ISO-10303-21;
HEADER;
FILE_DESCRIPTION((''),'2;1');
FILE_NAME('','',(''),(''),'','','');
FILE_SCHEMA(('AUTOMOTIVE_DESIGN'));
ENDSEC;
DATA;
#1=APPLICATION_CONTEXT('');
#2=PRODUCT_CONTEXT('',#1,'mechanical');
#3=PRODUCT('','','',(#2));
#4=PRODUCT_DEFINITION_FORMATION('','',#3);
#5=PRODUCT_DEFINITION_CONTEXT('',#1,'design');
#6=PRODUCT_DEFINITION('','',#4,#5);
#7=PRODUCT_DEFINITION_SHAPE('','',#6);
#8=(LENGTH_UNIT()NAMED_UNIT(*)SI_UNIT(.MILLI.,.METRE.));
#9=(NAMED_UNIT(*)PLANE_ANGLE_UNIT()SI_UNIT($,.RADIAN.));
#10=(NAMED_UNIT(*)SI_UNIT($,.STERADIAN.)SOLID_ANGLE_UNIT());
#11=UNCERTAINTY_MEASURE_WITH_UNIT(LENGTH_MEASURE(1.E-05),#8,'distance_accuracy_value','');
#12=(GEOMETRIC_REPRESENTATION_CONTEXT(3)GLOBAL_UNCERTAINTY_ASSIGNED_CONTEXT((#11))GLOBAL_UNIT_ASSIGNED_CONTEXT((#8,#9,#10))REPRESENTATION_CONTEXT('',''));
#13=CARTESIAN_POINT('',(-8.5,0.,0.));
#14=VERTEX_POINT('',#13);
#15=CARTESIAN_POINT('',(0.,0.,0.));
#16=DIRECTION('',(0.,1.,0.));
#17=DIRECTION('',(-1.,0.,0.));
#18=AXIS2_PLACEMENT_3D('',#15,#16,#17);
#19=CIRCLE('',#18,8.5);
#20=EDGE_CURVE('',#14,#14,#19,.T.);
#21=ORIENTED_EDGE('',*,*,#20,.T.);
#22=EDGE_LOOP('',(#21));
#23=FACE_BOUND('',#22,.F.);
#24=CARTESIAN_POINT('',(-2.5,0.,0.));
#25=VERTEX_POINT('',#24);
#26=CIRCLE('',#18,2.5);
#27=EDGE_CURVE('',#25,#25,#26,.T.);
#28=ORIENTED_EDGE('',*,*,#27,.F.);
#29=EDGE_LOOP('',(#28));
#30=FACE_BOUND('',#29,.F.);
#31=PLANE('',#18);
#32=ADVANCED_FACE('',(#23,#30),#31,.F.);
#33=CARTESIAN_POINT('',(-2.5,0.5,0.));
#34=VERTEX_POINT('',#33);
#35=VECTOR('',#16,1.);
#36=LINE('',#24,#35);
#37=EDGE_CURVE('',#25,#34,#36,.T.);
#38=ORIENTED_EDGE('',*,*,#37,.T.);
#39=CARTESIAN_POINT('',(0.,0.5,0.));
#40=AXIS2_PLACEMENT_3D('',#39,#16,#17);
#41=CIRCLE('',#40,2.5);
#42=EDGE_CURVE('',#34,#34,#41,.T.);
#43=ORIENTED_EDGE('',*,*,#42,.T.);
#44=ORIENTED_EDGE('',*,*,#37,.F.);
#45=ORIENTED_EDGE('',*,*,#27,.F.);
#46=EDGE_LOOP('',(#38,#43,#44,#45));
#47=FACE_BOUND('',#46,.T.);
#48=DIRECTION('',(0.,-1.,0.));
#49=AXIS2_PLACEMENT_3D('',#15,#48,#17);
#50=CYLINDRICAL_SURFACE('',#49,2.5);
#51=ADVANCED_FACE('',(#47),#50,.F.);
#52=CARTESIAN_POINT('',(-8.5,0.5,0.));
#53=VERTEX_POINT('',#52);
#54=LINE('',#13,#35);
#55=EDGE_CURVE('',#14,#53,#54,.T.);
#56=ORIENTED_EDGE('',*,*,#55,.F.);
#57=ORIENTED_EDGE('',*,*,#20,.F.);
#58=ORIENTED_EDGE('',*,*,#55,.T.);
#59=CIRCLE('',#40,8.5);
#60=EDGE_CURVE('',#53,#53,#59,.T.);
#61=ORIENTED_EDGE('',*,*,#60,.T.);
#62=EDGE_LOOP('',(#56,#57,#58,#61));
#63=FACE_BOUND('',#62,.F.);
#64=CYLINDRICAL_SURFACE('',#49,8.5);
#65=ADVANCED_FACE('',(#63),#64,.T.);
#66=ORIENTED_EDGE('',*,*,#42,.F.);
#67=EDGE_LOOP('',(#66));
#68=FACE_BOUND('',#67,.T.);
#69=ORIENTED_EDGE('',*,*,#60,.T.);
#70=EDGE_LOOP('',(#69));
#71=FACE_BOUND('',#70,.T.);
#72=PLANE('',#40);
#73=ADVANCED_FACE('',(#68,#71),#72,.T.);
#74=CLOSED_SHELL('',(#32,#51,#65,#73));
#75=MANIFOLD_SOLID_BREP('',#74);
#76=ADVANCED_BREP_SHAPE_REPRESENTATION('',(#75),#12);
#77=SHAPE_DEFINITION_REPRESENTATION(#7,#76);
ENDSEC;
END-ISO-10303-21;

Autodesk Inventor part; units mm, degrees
ref_plane "YZ Plane" through (0, 0, 0) normal (1, 0, 0) x (0, 1, 0)
ref_plane "XZ Plane" through (0, 0, 0) normal (0, 1, 0) x (-1, 0, 0)
ref_plane "XY Plane" through (0, 0, 0) normal (0, 0, 1) x (1, 0, 0)
sketch "Sketch1" plane through (0, 0, 0) normal (0, 1, 0) x (-1, 0, 0)
  circle A0 centre (0, 0) radius 8.5
  circle A1 centre (0, 0) radius 2.5
  dimension "d0" = 17
  dimension "d1" = 5
extrude "Extrusion1" add sketch "Sketch1" along normal blind 0.5
properties part number "Test for Kev"
